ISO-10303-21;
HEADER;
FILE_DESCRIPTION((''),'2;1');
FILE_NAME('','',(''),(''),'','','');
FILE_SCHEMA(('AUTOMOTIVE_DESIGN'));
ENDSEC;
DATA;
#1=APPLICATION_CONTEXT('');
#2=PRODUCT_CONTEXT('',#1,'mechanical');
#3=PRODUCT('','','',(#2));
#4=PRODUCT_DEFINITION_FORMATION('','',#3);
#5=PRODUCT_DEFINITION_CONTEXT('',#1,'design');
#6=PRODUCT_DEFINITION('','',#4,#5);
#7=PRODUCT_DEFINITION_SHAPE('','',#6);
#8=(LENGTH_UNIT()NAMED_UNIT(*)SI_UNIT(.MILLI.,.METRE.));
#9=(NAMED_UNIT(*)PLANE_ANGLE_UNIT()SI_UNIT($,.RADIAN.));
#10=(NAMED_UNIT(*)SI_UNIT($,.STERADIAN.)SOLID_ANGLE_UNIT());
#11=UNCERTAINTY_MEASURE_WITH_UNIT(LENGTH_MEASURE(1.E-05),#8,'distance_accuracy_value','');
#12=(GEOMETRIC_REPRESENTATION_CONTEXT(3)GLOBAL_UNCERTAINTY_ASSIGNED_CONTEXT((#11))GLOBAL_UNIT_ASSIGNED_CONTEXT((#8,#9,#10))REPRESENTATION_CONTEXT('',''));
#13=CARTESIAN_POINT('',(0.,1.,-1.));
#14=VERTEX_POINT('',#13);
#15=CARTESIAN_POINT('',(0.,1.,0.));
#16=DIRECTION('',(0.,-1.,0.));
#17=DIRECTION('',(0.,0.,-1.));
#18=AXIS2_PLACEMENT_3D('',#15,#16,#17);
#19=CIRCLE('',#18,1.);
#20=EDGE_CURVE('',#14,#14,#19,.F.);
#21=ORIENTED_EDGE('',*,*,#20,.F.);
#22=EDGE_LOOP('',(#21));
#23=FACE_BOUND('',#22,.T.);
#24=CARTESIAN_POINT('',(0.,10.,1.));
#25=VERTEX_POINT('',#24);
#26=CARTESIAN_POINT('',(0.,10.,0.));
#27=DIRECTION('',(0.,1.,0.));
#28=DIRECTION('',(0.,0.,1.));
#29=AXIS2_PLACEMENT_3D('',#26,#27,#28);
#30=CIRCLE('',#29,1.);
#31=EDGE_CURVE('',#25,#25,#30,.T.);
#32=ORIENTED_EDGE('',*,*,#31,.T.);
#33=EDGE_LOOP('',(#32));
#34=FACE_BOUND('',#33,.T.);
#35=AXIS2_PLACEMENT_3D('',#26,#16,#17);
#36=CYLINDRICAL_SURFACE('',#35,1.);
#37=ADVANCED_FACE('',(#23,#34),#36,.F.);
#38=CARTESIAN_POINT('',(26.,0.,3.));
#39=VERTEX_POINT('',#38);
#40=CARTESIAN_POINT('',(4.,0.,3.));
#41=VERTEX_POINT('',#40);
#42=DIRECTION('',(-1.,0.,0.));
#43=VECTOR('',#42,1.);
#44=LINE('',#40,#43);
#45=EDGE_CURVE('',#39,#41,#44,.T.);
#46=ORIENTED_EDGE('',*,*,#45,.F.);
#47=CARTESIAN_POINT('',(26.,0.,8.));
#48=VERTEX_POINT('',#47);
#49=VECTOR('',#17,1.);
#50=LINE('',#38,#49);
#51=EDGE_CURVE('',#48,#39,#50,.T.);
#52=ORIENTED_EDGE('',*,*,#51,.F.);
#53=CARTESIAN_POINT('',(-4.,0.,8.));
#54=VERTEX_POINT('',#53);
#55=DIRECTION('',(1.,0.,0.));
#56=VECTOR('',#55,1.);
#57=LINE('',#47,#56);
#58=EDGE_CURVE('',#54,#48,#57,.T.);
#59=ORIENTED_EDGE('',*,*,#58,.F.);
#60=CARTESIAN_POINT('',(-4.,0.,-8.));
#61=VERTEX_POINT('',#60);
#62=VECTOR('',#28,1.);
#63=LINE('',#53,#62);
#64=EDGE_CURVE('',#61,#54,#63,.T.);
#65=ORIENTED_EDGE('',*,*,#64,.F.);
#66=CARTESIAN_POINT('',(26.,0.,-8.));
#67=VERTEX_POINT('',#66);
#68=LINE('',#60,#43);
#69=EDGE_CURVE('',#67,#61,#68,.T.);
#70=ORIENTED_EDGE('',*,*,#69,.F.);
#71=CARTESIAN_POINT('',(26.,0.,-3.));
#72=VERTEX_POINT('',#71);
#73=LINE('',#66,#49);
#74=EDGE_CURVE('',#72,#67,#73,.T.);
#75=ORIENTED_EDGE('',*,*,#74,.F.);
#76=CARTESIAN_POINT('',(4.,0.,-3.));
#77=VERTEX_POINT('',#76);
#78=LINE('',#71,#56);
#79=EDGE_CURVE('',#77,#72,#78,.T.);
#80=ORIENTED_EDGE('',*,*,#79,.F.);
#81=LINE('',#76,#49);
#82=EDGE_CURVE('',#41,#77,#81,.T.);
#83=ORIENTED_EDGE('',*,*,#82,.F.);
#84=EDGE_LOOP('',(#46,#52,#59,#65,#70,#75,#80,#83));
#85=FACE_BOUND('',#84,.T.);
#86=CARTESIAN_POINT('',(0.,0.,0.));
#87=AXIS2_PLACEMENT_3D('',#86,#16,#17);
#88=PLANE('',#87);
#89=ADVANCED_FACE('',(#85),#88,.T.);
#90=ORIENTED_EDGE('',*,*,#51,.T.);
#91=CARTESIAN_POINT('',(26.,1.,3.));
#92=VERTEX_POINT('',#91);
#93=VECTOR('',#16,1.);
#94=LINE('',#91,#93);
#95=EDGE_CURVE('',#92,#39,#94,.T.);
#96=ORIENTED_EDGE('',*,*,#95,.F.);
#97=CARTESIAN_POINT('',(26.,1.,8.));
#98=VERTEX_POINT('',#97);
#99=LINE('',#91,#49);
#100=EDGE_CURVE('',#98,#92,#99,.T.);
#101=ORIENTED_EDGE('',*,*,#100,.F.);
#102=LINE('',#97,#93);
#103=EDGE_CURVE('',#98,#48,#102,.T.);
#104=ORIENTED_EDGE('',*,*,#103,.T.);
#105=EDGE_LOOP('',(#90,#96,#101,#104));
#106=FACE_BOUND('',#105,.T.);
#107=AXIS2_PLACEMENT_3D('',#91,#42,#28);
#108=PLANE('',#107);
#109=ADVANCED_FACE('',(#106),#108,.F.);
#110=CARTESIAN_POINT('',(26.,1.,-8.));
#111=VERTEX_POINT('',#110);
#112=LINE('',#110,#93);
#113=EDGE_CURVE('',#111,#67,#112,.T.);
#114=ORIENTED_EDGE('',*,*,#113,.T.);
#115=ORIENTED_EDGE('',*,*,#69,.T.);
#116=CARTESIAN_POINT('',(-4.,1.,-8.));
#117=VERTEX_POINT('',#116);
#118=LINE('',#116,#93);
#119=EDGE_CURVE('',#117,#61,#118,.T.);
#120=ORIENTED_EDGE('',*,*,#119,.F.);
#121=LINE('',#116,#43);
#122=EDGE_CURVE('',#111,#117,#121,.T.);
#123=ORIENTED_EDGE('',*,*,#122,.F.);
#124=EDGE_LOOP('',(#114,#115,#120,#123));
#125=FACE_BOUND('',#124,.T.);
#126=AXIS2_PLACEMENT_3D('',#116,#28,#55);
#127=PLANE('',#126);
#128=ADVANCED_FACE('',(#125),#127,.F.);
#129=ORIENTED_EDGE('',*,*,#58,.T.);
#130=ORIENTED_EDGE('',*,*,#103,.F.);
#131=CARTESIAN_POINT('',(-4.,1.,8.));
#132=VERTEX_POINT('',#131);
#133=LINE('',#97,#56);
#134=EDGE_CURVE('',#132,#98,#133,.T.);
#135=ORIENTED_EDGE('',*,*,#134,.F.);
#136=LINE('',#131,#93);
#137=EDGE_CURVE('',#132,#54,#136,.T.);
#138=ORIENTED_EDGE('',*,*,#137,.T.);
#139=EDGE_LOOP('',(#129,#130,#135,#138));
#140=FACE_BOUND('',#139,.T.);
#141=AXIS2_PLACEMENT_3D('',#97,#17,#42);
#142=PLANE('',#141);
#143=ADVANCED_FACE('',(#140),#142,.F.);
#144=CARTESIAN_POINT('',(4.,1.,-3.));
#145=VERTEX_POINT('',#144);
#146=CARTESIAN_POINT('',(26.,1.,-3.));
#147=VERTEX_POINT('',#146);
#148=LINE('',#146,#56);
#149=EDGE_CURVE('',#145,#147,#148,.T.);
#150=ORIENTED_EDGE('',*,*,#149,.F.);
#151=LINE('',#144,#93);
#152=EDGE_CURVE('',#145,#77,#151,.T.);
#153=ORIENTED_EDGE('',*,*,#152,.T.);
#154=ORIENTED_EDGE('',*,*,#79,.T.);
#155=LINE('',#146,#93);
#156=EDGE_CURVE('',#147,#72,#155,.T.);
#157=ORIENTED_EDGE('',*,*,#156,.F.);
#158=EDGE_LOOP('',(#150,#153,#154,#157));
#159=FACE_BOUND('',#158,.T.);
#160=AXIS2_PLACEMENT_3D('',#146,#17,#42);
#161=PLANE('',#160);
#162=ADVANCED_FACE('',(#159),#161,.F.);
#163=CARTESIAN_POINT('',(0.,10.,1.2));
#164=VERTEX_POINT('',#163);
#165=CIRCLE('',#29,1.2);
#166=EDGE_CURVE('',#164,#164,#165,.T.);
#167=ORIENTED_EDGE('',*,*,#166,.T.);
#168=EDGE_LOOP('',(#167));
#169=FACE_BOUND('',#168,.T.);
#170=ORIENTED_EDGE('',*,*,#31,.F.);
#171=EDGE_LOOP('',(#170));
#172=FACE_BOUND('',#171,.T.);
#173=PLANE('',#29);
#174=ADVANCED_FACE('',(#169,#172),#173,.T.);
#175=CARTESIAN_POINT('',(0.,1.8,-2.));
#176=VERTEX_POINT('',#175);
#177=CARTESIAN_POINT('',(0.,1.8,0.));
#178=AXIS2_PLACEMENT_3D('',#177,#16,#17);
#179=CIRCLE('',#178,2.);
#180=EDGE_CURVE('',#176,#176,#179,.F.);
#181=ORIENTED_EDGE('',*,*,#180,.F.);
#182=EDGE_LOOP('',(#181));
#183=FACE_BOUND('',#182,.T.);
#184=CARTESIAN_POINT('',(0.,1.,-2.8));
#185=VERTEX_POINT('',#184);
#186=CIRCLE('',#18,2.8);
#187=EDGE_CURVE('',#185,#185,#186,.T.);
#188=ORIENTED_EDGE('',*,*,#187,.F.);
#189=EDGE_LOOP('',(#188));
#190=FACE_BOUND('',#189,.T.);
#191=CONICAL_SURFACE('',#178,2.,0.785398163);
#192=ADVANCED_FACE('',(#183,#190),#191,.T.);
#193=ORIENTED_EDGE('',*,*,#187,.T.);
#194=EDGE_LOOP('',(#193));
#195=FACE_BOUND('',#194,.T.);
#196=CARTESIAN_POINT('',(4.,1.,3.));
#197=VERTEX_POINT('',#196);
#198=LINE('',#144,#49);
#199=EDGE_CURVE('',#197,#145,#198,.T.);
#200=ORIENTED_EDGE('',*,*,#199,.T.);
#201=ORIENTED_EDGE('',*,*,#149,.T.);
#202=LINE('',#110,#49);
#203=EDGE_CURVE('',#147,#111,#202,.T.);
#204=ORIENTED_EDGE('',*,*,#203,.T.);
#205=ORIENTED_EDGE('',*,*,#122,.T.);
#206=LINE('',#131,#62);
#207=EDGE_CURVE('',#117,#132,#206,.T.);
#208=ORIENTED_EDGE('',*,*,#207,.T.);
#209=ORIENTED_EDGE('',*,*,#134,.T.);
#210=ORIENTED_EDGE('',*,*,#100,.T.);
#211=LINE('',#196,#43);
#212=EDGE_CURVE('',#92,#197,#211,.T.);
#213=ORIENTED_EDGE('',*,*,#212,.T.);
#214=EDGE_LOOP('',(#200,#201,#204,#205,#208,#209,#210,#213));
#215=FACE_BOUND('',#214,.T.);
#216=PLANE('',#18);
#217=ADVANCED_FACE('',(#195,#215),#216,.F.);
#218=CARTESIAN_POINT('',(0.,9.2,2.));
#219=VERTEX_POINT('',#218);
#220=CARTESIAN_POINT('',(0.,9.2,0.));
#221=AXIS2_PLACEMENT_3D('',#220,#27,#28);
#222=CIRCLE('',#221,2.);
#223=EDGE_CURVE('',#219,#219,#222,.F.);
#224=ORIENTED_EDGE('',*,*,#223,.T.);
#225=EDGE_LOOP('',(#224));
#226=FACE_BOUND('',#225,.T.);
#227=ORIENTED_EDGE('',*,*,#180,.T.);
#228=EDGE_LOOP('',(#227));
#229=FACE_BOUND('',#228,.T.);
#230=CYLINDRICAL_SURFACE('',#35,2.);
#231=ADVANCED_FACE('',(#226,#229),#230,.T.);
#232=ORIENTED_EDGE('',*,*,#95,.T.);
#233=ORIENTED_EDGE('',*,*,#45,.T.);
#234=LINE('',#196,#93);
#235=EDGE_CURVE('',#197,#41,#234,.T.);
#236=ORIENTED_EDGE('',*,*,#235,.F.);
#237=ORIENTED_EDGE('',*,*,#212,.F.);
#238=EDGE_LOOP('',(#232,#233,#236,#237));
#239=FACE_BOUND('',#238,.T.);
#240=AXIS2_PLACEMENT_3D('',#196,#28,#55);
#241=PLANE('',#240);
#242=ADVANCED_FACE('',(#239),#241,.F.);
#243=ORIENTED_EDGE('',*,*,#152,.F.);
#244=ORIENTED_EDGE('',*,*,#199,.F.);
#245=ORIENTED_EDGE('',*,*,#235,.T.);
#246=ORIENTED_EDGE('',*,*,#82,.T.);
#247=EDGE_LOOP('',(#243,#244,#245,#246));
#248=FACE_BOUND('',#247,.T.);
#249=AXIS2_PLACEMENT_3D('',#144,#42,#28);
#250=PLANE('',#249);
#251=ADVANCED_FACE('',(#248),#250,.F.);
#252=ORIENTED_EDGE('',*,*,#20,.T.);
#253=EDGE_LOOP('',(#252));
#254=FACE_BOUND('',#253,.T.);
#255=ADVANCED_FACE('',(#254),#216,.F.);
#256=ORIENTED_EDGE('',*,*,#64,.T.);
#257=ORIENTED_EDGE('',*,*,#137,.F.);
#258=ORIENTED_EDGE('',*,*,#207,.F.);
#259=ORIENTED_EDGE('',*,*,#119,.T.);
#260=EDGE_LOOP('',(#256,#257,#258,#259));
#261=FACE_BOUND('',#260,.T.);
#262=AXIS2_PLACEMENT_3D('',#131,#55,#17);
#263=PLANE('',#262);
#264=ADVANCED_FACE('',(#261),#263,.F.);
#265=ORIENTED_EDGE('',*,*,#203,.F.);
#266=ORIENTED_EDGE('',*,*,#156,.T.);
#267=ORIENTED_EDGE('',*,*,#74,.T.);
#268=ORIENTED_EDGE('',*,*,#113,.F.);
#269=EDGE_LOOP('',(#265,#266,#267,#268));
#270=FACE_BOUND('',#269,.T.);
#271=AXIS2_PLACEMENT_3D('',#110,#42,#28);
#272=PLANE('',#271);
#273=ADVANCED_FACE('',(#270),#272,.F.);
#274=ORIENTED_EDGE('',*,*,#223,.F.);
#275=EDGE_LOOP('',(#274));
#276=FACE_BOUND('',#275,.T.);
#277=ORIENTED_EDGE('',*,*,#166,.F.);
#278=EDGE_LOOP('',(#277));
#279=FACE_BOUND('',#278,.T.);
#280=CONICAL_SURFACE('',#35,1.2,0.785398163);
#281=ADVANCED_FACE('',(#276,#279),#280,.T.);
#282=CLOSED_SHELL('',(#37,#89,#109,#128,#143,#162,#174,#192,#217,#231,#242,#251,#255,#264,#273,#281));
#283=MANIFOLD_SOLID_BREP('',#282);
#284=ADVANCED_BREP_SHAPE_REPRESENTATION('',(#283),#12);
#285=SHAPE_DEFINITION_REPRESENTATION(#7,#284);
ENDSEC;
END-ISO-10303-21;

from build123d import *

# Parameters (mm, degrees)
BOSS_EXTRUDE1_DEPTH = 1
SKETCH4_R           = 2
SKETCH4_R_2         = 1
BOSS_EXTRUDE2_DEPTH = 10
CHAMFER1_SIZE       = 0.8


with BuildPart() as part:
    # Sketch3 → Boss-Extrude1 (new body)
    with BuildSketch(Plane(origin=(0, 0, 0), x_dir=(1, 0, 0), z_dir=(0, 1, 0))):
        Polygon((26, 8), (26, 3), (4, 3), (4, -3), (26, -3), (26, -8), (-4, -8), (-4, 8), align=None)
    extrude(amount=BOSS_EXTRUDE1_DEPTH)

    # Sketch4 → Boss-Extrude2 (add)
    with BuildSketch(Plane(origin=(0, 0, 0), x_dir=(1, 0, 0), z_dir=(0, 1, 0))):
        Circle(SKETCH4_R)
        Circle(SKETCH4_R_2, mode=Mode.SUBTRACT)
    extrude(amount=BOSS_EXTRUDE2_DEPTH)

    # Chamfer1
    chamfer1_edges = [part.edges().sort_by_distance(p)[0] for p in [
        (-2, 1, 0),
        (-2, 10, 0),
    ]]
    chamfer(chamfer1_edges, length=CHAMFER1_SIZE)


solid = part.part
